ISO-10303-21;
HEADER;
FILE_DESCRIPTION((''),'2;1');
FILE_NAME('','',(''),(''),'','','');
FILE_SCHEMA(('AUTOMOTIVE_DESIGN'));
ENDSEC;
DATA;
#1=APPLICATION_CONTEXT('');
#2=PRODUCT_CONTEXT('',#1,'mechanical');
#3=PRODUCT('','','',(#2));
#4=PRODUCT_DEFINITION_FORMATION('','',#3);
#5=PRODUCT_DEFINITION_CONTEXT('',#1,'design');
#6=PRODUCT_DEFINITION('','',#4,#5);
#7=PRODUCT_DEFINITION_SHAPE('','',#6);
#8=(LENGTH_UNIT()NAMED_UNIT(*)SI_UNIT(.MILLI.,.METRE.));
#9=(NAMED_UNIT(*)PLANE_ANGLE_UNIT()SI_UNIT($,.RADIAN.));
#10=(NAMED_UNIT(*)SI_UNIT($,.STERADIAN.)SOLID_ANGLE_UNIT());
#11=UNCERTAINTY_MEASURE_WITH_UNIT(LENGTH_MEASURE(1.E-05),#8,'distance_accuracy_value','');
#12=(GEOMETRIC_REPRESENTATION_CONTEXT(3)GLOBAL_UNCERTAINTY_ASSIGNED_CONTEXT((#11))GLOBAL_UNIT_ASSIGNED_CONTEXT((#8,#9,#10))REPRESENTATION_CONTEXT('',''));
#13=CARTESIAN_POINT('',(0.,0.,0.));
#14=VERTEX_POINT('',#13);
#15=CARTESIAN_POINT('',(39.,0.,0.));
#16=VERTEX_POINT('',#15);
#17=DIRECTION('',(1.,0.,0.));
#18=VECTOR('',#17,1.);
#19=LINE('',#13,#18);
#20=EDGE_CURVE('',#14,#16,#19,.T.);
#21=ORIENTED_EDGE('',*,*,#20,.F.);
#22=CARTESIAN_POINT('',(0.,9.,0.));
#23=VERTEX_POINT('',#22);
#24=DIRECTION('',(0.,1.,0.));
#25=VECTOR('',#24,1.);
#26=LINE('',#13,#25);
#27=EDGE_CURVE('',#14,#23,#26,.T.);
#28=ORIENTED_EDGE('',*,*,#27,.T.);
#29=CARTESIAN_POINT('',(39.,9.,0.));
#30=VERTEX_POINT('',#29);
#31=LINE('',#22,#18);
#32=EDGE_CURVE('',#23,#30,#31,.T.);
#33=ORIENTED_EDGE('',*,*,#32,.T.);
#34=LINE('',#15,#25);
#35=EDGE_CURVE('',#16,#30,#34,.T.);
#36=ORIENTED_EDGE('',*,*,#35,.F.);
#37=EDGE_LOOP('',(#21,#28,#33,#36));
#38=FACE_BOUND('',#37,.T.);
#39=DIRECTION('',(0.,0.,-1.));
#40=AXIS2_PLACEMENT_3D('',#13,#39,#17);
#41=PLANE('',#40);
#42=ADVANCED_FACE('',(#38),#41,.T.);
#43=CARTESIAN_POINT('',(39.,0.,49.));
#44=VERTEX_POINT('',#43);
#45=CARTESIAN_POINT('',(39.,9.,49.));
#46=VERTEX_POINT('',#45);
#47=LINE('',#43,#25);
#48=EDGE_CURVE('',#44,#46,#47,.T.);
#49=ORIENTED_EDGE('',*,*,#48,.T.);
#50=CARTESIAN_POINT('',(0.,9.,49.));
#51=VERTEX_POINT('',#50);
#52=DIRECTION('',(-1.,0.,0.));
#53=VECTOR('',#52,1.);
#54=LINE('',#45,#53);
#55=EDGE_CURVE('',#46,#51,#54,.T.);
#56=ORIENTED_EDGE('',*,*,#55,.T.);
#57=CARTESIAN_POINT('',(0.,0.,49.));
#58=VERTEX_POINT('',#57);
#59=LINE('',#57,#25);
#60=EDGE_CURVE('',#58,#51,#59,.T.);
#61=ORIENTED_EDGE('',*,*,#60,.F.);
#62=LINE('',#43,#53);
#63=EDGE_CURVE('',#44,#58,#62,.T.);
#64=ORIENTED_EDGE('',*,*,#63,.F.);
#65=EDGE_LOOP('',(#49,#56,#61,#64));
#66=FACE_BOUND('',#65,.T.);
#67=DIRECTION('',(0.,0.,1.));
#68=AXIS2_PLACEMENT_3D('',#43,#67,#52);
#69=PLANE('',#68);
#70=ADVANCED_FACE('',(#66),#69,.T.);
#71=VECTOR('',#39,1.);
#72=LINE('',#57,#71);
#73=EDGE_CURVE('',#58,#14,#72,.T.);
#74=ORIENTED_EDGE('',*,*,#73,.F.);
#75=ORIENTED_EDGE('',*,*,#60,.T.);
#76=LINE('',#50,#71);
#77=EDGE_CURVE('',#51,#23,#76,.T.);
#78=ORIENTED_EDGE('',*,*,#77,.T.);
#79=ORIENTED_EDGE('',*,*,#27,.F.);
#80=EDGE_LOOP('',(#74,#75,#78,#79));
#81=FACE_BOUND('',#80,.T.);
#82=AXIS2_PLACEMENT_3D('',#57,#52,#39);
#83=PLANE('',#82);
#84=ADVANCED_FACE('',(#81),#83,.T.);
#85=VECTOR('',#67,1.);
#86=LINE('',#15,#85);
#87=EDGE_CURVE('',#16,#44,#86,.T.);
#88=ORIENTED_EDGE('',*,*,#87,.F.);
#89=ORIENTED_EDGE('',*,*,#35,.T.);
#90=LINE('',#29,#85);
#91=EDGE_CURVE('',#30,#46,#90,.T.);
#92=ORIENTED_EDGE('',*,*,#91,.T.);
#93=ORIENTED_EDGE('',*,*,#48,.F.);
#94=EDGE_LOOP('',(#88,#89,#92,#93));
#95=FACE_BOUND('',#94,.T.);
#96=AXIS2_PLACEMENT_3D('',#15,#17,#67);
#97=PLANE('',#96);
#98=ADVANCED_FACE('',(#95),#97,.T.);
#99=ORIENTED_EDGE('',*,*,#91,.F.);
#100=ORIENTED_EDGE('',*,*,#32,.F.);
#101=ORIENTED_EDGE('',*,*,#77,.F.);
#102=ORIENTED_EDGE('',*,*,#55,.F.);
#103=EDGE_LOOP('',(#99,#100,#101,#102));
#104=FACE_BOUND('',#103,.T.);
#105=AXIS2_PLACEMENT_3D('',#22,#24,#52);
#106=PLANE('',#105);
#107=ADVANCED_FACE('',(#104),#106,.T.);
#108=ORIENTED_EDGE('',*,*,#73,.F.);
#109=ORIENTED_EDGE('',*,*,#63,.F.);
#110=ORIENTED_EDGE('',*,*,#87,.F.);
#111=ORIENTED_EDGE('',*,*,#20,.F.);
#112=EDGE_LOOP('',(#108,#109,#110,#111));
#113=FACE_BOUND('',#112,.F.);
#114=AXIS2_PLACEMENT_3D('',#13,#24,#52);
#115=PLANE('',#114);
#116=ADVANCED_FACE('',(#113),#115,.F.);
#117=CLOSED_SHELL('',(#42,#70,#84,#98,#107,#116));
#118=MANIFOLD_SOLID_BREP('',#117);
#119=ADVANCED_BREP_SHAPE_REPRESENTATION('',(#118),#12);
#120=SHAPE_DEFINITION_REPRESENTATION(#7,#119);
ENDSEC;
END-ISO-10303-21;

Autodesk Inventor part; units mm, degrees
ref_plane "YZ Plane" through (0, 0, 0) normal (1, 0, 0) x (0, 1, 0)
ref_plane "XZ Plane" through (0, 0, 0) normal (0, 1, 0) x (-1, 0, 0)
ref_plane "XY Plane" through (0, 0, 0) normal (0, 0, 1) x (1, 0, 0)
sketch "Sketch1" plane through (0, 0, 0) normal (0, 1, 0) x (-1, 0, 0)
  line L0 (0, 0) -> (-39, 0)
  line L1 (-39, 0) -> (-39, 49)
  line L2 (-39, 49) -> (0, 49)
  line L3 (0, 49) -> (0, 0)
  dimension "d0" = 49
  dimension "d1" = 39
extrude "Extrusion1" add sketch "Sketch1" along normal blind 9
properties part number "peg" material "PET Plastic"
